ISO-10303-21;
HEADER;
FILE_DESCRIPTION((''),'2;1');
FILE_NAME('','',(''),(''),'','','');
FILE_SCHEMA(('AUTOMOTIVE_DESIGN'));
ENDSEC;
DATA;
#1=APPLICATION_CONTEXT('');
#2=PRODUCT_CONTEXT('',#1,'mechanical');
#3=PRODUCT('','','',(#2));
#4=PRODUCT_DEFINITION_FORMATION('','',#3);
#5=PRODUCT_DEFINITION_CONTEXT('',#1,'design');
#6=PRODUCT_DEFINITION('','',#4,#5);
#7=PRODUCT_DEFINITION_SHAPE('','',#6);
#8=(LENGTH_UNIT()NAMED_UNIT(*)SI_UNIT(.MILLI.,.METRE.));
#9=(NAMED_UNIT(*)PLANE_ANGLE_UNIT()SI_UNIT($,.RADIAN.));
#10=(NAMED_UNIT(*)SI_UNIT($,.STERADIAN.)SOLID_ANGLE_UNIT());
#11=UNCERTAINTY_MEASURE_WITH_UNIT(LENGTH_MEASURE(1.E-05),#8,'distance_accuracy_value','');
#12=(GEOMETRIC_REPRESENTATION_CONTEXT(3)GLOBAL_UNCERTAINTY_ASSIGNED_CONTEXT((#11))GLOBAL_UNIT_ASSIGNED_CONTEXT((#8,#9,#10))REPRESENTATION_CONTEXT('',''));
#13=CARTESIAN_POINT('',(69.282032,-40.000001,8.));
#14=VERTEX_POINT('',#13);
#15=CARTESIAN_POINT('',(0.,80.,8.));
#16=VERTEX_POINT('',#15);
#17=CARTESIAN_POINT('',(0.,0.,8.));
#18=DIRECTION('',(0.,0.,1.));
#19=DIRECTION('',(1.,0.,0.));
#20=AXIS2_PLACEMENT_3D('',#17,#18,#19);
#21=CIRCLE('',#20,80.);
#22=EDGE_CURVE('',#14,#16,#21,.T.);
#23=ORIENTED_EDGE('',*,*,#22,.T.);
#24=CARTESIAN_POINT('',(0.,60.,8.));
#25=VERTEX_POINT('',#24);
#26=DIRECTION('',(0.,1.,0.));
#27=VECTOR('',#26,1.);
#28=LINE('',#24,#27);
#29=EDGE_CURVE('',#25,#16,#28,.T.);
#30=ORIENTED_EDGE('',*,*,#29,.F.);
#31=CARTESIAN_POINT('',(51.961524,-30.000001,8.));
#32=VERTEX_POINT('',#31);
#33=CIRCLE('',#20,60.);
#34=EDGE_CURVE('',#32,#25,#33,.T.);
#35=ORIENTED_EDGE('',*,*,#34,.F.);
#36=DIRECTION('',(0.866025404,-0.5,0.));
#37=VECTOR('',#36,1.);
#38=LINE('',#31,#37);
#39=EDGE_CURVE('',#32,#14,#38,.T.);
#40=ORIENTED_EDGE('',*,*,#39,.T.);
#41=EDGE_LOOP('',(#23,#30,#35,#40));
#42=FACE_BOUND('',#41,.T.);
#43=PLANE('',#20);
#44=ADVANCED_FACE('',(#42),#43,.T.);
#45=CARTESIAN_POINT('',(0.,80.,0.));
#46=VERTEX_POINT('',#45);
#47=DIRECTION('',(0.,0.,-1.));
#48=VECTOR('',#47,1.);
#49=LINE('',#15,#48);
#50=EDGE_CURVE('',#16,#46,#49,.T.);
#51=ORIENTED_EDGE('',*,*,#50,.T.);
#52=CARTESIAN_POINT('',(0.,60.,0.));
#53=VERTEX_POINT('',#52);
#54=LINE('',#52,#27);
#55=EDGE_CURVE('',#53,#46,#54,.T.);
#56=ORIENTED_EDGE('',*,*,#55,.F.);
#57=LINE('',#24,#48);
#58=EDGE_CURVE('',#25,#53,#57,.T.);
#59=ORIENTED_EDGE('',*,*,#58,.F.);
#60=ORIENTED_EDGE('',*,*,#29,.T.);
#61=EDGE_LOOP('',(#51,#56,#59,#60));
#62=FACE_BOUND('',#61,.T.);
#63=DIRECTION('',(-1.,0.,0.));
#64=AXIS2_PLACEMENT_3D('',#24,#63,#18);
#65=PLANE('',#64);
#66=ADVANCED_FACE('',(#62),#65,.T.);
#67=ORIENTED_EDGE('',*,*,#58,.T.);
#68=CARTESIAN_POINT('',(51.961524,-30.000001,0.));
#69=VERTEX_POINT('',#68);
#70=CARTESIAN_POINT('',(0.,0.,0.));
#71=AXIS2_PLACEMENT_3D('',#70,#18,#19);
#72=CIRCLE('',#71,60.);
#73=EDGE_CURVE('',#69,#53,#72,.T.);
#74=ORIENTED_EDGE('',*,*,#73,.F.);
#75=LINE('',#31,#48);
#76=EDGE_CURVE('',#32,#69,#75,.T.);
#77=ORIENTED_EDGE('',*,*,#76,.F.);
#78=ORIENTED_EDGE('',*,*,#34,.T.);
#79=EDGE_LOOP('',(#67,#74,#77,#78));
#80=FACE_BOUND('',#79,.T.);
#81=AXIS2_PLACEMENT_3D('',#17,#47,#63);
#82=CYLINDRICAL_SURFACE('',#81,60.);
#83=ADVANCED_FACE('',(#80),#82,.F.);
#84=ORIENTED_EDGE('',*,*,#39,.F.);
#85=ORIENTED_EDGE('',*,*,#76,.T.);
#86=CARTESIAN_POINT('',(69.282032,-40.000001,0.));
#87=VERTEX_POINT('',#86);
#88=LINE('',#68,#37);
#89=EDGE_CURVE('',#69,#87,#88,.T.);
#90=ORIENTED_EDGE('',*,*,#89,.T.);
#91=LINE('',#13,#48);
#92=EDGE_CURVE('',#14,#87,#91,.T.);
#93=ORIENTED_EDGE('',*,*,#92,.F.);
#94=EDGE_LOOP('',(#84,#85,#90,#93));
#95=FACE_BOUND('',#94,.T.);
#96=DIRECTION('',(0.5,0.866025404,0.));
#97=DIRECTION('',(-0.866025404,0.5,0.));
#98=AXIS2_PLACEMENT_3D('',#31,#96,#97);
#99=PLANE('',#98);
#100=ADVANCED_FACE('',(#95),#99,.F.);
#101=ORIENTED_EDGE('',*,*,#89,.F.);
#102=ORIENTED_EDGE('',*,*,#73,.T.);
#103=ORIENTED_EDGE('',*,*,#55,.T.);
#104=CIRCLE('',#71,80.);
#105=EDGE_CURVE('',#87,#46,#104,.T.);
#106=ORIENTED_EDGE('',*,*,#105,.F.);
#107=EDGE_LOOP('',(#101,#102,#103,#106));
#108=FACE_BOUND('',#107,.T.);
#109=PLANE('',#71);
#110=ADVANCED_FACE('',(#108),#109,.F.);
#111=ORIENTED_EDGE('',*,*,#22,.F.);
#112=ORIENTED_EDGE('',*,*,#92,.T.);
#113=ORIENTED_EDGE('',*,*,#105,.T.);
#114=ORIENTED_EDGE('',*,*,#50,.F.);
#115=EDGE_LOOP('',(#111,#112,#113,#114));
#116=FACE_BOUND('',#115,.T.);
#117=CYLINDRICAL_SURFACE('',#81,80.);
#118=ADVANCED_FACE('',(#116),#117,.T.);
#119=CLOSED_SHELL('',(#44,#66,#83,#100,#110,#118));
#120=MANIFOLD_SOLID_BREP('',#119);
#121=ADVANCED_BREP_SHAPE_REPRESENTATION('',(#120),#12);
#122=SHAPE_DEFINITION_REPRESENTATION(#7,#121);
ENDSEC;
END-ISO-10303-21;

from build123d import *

# Parameters (mm, degrees)
BOSS_EXTRUDE2_DEPTH = 8


with BuildPart() as part:
    # Sketch2 → Boss-Extrude2 (new body)
    with BuildSketch(Plane.XY):
        with BuildLine():
            Line((0, 60), (0, 80))
            ThreePointArc((0, 80), (69.282032509, 39.999999643), (69.282031891, -40.000000714))
            Line((69.282031891, -40.000000714), (51.961523815, -30.000000714))
            ThreePointArc((51.961523815, -30.000000714), (51.961524433, 29.999999643), (0, 60))
        make_face()
    extrude(amount=BOSS_EXTRUDE2_DEPTH)


solid = part.part
